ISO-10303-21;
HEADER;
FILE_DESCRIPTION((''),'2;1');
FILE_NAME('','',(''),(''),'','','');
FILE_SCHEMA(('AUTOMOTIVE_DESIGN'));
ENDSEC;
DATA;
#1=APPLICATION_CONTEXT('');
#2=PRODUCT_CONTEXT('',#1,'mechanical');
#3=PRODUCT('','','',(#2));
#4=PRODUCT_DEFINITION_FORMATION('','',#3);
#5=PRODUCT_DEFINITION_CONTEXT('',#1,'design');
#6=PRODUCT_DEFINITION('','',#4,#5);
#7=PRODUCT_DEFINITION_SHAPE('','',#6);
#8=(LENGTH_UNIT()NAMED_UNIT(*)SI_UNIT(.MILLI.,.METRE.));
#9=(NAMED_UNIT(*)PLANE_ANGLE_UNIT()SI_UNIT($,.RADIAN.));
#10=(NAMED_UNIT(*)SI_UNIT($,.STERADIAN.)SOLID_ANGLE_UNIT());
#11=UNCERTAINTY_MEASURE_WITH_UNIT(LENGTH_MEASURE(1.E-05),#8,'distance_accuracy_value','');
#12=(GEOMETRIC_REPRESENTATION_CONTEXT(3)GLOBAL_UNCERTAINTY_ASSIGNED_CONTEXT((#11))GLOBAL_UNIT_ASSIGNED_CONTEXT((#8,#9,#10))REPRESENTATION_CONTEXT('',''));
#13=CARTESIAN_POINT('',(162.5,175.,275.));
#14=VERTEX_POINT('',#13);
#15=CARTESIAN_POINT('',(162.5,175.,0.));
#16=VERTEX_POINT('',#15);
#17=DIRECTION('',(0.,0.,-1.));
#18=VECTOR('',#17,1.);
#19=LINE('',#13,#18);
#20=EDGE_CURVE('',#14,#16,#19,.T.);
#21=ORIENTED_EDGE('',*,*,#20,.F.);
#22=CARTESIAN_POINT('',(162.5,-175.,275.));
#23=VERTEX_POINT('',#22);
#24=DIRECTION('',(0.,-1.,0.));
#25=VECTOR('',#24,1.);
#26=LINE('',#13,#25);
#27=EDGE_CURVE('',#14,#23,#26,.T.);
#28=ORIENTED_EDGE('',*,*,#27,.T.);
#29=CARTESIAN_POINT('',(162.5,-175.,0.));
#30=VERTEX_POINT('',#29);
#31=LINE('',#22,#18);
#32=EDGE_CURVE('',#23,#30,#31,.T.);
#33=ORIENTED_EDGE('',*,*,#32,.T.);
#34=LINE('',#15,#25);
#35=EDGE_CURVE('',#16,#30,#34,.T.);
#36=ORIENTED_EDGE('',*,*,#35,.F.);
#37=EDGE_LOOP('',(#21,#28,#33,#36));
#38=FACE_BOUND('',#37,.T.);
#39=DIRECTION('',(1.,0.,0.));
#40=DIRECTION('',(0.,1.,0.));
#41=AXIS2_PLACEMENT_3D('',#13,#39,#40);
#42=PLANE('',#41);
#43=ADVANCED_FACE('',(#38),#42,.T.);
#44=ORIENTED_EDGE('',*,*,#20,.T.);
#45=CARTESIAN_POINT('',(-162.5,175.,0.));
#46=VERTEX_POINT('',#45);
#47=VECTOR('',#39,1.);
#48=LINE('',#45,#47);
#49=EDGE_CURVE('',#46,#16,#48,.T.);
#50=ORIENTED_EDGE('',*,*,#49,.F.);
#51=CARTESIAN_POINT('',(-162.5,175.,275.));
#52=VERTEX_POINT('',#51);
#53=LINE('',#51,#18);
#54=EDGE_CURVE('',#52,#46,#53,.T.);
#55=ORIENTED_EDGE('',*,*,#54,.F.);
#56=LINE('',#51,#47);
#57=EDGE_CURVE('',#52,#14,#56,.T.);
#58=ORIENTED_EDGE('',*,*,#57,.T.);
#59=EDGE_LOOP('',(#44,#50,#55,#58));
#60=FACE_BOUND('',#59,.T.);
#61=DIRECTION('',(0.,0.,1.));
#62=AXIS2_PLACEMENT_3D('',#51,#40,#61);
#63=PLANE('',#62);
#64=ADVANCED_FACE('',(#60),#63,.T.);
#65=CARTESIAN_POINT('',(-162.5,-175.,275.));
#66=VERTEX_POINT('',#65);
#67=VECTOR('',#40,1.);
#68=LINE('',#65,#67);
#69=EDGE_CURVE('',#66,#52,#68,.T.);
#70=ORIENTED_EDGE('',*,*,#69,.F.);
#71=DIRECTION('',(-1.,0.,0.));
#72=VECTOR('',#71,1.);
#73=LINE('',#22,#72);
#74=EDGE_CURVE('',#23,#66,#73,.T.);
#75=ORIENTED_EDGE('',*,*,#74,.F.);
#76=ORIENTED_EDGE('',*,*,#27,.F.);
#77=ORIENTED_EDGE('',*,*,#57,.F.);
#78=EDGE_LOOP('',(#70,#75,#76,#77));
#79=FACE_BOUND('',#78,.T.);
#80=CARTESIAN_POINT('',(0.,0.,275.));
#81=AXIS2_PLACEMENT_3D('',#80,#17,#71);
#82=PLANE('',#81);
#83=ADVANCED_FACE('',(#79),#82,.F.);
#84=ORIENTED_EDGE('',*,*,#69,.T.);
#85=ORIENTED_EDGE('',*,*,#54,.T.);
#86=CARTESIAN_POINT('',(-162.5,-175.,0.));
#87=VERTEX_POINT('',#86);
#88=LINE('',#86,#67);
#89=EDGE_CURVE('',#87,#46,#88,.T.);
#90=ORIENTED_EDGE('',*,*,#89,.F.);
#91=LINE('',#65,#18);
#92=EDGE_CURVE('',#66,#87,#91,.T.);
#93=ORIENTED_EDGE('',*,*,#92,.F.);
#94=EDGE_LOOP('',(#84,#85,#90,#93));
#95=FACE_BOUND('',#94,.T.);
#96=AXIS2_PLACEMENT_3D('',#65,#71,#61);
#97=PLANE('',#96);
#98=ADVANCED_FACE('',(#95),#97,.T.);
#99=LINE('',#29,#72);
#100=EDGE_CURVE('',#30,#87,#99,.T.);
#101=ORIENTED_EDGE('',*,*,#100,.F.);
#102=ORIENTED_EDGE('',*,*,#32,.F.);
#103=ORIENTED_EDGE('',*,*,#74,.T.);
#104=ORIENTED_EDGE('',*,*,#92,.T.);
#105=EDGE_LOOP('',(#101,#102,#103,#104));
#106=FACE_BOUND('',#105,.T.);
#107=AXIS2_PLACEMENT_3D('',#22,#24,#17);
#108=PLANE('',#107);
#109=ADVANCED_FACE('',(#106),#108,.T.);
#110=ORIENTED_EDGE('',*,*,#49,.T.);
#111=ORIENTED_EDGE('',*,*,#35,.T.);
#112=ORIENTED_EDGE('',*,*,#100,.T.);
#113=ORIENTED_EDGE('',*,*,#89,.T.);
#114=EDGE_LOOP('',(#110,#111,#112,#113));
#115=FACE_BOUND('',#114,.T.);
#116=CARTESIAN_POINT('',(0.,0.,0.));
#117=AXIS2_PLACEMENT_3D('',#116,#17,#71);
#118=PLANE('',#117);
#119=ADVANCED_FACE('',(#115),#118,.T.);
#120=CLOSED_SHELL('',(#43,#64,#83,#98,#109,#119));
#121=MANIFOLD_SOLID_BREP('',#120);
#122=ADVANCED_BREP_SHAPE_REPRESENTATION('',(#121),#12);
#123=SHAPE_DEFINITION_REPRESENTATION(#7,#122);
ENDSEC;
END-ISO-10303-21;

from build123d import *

# Parameters (mm, degrees)
SKETCH1_W           = 325
SKETCH1_H           = 350
BOSS_EXTRUDE1_DEPTH = 275


with BuildPart() as part:
    # Sketch1 → Boss-Extrude1 (new body)
    with BuildSketch(Plane(origin=(0, 0, 0), x_dir=(-1, 0, 0), z_dir=(0, 0, -1))):
        Rectangle(SKETCH1_W, SKETCH1_H)
    extrude(amount=-BOSS_EXTRUDE1_DEPTH)


solid = part.part
